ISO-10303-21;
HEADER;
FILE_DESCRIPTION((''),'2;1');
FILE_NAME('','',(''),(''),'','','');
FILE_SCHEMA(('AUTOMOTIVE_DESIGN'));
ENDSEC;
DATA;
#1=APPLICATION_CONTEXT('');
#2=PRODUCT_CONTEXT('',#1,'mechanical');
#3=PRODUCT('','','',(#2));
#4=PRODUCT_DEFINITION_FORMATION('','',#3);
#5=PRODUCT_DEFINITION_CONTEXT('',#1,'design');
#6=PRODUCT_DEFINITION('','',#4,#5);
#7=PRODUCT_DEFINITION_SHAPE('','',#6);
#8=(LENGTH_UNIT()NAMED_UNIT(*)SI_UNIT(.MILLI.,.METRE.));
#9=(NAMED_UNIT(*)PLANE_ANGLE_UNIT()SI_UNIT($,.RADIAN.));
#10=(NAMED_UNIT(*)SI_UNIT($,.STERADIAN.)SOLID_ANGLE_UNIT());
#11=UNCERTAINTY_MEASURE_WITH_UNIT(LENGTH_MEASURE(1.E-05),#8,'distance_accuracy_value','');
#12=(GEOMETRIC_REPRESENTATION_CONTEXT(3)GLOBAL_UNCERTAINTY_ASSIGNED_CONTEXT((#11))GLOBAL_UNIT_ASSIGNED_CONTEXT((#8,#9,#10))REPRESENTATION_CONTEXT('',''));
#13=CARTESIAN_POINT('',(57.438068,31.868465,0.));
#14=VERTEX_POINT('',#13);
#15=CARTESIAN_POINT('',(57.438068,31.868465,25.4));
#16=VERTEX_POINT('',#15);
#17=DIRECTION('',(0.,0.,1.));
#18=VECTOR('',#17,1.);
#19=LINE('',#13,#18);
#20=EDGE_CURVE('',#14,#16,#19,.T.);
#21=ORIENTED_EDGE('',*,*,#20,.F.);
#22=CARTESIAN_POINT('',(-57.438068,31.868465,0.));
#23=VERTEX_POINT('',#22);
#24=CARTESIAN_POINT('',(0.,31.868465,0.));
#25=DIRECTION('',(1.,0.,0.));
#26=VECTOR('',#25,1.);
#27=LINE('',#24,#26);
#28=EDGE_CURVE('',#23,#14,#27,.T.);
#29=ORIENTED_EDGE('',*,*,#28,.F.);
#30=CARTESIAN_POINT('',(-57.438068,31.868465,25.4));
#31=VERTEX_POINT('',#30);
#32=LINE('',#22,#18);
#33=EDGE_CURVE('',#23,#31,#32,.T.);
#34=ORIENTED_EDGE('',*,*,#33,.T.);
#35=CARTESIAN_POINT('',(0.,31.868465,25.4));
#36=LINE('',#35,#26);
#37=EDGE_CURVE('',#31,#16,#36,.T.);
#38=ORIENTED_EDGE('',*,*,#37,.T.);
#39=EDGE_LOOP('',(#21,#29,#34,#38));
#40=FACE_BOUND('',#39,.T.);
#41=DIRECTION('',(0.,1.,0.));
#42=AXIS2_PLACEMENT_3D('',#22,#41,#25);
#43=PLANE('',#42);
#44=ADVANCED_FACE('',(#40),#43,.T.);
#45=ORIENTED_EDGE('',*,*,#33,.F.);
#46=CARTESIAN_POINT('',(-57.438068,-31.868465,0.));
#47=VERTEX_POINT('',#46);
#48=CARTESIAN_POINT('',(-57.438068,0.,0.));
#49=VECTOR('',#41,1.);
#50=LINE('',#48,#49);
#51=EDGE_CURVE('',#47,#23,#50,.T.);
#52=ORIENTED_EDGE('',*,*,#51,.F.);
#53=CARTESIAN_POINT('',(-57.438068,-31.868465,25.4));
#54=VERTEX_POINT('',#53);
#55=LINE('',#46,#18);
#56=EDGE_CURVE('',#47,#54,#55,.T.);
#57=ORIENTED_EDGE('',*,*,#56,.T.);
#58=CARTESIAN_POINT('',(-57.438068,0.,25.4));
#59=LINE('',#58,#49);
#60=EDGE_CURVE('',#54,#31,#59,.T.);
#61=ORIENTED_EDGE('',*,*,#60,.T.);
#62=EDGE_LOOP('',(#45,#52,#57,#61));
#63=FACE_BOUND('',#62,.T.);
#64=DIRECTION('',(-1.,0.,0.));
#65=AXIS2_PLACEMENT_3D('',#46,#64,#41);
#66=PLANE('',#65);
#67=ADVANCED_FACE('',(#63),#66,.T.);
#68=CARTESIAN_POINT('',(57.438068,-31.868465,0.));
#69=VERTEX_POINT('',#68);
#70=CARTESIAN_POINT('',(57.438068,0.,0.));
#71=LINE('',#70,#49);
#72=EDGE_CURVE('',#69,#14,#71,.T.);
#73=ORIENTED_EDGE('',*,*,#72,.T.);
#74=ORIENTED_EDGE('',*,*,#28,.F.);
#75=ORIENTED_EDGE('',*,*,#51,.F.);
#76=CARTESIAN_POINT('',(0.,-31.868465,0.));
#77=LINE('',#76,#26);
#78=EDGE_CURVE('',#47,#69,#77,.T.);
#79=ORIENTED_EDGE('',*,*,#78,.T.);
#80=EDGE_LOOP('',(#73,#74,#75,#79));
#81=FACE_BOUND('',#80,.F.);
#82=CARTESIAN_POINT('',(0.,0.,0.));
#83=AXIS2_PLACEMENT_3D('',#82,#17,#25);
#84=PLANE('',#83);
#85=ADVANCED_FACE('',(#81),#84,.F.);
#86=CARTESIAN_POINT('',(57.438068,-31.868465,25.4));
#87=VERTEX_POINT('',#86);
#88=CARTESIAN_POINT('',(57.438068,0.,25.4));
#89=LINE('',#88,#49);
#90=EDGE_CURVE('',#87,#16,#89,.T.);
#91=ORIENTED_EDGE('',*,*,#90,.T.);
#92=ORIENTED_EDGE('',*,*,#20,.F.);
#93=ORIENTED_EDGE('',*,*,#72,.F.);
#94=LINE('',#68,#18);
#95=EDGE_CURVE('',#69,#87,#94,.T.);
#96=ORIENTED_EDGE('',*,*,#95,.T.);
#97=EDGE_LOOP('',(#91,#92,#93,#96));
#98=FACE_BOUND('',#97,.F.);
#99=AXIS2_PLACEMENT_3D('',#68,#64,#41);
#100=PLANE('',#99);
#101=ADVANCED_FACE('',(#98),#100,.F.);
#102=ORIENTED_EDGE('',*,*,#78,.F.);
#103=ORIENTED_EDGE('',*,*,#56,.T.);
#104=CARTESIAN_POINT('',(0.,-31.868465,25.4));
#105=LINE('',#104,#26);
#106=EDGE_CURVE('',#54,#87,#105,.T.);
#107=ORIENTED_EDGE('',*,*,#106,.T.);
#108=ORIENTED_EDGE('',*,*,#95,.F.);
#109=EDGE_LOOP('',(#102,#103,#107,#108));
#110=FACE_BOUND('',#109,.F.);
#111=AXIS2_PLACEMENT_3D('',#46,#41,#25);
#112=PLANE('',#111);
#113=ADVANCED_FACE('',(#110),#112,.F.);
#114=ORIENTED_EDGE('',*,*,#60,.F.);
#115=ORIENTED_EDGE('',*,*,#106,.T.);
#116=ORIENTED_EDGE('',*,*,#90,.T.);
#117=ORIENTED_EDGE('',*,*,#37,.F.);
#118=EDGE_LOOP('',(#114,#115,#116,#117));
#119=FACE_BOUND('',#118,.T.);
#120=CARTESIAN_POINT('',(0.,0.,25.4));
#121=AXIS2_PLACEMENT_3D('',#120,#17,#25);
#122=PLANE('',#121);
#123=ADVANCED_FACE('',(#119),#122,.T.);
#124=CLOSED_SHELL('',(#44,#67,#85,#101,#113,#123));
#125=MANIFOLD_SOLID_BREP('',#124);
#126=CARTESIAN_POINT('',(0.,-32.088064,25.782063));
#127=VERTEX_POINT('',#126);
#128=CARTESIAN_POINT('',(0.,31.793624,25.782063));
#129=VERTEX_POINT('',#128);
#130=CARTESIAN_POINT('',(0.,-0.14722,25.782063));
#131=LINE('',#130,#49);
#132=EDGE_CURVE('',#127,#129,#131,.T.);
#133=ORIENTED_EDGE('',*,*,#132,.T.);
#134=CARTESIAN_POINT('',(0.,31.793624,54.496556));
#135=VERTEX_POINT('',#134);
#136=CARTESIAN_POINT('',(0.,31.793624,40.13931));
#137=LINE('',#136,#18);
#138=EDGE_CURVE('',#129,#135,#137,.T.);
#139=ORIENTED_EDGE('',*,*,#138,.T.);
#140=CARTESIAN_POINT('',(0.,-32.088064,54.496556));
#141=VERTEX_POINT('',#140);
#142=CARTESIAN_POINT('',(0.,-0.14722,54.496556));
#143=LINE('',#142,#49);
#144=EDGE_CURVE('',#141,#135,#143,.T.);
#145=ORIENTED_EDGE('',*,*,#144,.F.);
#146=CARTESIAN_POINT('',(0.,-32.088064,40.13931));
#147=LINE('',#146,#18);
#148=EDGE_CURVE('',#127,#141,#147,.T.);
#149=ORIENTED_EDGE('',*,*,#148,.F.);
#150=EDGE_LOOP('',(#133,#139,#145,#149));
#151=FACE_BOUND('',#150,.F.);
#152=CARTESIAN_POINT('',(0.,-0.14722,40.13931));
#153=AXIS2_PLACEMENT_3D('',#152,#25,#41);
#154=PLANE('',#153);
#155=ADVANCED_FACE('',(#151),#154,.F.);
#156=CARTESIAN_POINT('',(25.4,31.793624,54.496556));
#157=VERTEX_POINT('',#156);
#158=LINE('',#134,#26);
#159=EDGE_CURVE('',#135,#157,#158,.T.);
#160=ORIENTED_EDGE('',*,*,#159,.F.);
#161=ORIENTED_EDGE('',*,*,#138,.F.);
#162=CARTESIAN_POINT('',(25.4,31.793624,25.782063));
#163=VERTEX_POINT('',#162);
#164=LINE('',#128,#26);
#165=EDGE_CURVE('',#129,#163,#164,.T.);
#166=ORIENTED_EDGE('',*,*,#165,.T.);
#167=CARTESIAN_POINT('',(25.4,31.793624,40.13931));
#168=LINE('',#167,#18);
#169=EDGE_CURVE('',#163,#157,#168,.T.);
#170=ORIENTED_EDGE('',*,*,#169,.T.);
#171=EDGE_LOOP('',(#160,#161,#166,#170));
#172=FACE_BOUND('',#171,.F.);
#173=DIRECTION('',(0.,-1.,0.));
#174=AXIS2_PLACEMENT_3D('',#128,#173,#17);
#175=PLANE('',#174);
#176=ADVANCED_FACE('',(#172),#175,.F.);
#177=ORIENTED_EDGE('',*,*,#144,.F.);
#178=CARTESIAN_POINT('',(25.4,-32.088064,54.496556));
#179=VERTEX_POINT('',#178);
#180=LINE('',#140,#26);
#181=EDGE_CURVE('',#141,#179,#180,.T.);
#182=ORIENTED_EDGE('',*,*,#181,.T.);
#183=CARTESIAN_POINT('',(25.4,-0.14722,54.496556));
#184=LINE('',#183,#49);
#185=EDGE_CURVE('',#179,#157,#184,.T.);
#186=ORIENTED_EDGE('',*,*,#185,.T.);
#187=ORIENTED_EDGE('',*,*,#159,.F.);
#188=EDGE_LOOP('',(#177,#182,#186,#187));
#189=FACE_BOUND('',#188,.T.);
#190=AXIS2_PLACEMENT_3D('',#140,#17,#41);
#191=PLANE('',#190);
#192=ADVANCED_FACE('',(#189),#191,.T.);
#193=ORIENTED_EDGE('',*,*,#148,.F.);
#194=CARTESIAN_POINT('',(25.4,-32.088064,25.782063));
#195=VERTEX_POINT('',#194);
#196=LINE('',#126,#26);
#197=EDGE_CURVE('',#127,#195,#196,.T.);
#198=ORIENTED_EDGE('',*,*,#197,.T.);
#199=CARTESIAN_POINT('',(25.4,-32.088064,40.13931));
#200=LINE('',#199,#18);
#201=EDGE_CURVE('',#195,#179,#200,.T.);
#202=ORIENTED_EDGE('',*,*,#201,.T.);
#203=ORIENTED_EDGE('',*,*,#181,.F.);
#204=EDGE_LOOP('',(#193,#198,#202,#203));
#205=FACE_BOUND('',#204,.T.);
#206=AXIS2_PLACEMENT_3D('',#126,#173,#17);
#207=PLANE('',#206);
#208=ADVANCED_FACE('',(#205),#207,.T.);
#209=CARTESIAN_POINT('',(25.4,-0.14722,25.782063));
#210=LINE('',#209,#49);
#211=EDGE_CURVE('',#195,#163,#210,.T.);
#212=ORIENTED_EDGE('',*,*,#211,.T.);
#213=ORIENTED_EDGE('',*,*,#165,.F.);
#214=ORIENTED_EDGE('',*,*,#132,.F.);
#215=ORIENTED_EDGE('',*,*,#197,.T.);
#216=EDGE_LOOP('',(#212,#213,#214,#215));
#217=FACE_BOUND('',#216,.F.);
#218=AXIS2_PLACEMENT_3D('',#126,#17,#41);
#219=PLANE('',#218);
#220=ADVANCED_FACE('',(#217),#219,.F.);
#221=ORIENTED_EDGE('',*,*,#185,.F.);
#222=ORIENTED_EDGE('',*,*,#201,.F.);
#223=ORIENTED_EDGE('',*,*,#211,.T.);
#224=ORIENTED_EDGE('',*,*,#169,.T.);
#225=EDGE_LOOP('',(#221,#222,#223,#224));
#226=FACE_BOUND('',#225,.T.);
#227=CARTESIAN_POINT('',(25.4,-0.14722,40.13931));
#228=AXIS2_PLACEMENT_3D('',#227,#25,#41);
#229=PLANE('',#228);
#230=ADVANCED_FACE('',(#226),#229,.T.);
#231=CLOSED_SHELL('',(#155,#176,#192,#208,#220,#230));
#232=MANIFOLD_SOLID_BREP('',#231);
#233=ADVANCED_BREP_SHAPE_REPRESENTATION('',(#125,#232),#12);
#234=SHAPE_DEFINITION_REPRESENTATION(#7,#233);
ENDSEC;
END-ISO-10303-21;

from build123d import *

# Parameters (mm, degrees)
F0_W     = 114.876136
F0_H     = 63.73693
F1_DEPTH = 25.4
F2_W     = 63.881688
F2_H     = 28.714493
F3_DEPTH = 25.4


with BuildPart() as f1:
    # F0 (on Top) → F1 (new body)
    with BuildSketch(Plane.XY):
        Rectangle(F0_W, F0_H)
    extrude(amount=F1_DEPTH)


with BuildPart() as f3:
    # F2 (on Right) → F3 (new body)
    with BuildSketch(Plane.YZ):
        with Locations((-0.14722, 40.13931)):
            Rectangle(F2_W, F2_H)
    extrude(amount=F3_DEPTH)


solid = Compound([f1.part, f3.part])
